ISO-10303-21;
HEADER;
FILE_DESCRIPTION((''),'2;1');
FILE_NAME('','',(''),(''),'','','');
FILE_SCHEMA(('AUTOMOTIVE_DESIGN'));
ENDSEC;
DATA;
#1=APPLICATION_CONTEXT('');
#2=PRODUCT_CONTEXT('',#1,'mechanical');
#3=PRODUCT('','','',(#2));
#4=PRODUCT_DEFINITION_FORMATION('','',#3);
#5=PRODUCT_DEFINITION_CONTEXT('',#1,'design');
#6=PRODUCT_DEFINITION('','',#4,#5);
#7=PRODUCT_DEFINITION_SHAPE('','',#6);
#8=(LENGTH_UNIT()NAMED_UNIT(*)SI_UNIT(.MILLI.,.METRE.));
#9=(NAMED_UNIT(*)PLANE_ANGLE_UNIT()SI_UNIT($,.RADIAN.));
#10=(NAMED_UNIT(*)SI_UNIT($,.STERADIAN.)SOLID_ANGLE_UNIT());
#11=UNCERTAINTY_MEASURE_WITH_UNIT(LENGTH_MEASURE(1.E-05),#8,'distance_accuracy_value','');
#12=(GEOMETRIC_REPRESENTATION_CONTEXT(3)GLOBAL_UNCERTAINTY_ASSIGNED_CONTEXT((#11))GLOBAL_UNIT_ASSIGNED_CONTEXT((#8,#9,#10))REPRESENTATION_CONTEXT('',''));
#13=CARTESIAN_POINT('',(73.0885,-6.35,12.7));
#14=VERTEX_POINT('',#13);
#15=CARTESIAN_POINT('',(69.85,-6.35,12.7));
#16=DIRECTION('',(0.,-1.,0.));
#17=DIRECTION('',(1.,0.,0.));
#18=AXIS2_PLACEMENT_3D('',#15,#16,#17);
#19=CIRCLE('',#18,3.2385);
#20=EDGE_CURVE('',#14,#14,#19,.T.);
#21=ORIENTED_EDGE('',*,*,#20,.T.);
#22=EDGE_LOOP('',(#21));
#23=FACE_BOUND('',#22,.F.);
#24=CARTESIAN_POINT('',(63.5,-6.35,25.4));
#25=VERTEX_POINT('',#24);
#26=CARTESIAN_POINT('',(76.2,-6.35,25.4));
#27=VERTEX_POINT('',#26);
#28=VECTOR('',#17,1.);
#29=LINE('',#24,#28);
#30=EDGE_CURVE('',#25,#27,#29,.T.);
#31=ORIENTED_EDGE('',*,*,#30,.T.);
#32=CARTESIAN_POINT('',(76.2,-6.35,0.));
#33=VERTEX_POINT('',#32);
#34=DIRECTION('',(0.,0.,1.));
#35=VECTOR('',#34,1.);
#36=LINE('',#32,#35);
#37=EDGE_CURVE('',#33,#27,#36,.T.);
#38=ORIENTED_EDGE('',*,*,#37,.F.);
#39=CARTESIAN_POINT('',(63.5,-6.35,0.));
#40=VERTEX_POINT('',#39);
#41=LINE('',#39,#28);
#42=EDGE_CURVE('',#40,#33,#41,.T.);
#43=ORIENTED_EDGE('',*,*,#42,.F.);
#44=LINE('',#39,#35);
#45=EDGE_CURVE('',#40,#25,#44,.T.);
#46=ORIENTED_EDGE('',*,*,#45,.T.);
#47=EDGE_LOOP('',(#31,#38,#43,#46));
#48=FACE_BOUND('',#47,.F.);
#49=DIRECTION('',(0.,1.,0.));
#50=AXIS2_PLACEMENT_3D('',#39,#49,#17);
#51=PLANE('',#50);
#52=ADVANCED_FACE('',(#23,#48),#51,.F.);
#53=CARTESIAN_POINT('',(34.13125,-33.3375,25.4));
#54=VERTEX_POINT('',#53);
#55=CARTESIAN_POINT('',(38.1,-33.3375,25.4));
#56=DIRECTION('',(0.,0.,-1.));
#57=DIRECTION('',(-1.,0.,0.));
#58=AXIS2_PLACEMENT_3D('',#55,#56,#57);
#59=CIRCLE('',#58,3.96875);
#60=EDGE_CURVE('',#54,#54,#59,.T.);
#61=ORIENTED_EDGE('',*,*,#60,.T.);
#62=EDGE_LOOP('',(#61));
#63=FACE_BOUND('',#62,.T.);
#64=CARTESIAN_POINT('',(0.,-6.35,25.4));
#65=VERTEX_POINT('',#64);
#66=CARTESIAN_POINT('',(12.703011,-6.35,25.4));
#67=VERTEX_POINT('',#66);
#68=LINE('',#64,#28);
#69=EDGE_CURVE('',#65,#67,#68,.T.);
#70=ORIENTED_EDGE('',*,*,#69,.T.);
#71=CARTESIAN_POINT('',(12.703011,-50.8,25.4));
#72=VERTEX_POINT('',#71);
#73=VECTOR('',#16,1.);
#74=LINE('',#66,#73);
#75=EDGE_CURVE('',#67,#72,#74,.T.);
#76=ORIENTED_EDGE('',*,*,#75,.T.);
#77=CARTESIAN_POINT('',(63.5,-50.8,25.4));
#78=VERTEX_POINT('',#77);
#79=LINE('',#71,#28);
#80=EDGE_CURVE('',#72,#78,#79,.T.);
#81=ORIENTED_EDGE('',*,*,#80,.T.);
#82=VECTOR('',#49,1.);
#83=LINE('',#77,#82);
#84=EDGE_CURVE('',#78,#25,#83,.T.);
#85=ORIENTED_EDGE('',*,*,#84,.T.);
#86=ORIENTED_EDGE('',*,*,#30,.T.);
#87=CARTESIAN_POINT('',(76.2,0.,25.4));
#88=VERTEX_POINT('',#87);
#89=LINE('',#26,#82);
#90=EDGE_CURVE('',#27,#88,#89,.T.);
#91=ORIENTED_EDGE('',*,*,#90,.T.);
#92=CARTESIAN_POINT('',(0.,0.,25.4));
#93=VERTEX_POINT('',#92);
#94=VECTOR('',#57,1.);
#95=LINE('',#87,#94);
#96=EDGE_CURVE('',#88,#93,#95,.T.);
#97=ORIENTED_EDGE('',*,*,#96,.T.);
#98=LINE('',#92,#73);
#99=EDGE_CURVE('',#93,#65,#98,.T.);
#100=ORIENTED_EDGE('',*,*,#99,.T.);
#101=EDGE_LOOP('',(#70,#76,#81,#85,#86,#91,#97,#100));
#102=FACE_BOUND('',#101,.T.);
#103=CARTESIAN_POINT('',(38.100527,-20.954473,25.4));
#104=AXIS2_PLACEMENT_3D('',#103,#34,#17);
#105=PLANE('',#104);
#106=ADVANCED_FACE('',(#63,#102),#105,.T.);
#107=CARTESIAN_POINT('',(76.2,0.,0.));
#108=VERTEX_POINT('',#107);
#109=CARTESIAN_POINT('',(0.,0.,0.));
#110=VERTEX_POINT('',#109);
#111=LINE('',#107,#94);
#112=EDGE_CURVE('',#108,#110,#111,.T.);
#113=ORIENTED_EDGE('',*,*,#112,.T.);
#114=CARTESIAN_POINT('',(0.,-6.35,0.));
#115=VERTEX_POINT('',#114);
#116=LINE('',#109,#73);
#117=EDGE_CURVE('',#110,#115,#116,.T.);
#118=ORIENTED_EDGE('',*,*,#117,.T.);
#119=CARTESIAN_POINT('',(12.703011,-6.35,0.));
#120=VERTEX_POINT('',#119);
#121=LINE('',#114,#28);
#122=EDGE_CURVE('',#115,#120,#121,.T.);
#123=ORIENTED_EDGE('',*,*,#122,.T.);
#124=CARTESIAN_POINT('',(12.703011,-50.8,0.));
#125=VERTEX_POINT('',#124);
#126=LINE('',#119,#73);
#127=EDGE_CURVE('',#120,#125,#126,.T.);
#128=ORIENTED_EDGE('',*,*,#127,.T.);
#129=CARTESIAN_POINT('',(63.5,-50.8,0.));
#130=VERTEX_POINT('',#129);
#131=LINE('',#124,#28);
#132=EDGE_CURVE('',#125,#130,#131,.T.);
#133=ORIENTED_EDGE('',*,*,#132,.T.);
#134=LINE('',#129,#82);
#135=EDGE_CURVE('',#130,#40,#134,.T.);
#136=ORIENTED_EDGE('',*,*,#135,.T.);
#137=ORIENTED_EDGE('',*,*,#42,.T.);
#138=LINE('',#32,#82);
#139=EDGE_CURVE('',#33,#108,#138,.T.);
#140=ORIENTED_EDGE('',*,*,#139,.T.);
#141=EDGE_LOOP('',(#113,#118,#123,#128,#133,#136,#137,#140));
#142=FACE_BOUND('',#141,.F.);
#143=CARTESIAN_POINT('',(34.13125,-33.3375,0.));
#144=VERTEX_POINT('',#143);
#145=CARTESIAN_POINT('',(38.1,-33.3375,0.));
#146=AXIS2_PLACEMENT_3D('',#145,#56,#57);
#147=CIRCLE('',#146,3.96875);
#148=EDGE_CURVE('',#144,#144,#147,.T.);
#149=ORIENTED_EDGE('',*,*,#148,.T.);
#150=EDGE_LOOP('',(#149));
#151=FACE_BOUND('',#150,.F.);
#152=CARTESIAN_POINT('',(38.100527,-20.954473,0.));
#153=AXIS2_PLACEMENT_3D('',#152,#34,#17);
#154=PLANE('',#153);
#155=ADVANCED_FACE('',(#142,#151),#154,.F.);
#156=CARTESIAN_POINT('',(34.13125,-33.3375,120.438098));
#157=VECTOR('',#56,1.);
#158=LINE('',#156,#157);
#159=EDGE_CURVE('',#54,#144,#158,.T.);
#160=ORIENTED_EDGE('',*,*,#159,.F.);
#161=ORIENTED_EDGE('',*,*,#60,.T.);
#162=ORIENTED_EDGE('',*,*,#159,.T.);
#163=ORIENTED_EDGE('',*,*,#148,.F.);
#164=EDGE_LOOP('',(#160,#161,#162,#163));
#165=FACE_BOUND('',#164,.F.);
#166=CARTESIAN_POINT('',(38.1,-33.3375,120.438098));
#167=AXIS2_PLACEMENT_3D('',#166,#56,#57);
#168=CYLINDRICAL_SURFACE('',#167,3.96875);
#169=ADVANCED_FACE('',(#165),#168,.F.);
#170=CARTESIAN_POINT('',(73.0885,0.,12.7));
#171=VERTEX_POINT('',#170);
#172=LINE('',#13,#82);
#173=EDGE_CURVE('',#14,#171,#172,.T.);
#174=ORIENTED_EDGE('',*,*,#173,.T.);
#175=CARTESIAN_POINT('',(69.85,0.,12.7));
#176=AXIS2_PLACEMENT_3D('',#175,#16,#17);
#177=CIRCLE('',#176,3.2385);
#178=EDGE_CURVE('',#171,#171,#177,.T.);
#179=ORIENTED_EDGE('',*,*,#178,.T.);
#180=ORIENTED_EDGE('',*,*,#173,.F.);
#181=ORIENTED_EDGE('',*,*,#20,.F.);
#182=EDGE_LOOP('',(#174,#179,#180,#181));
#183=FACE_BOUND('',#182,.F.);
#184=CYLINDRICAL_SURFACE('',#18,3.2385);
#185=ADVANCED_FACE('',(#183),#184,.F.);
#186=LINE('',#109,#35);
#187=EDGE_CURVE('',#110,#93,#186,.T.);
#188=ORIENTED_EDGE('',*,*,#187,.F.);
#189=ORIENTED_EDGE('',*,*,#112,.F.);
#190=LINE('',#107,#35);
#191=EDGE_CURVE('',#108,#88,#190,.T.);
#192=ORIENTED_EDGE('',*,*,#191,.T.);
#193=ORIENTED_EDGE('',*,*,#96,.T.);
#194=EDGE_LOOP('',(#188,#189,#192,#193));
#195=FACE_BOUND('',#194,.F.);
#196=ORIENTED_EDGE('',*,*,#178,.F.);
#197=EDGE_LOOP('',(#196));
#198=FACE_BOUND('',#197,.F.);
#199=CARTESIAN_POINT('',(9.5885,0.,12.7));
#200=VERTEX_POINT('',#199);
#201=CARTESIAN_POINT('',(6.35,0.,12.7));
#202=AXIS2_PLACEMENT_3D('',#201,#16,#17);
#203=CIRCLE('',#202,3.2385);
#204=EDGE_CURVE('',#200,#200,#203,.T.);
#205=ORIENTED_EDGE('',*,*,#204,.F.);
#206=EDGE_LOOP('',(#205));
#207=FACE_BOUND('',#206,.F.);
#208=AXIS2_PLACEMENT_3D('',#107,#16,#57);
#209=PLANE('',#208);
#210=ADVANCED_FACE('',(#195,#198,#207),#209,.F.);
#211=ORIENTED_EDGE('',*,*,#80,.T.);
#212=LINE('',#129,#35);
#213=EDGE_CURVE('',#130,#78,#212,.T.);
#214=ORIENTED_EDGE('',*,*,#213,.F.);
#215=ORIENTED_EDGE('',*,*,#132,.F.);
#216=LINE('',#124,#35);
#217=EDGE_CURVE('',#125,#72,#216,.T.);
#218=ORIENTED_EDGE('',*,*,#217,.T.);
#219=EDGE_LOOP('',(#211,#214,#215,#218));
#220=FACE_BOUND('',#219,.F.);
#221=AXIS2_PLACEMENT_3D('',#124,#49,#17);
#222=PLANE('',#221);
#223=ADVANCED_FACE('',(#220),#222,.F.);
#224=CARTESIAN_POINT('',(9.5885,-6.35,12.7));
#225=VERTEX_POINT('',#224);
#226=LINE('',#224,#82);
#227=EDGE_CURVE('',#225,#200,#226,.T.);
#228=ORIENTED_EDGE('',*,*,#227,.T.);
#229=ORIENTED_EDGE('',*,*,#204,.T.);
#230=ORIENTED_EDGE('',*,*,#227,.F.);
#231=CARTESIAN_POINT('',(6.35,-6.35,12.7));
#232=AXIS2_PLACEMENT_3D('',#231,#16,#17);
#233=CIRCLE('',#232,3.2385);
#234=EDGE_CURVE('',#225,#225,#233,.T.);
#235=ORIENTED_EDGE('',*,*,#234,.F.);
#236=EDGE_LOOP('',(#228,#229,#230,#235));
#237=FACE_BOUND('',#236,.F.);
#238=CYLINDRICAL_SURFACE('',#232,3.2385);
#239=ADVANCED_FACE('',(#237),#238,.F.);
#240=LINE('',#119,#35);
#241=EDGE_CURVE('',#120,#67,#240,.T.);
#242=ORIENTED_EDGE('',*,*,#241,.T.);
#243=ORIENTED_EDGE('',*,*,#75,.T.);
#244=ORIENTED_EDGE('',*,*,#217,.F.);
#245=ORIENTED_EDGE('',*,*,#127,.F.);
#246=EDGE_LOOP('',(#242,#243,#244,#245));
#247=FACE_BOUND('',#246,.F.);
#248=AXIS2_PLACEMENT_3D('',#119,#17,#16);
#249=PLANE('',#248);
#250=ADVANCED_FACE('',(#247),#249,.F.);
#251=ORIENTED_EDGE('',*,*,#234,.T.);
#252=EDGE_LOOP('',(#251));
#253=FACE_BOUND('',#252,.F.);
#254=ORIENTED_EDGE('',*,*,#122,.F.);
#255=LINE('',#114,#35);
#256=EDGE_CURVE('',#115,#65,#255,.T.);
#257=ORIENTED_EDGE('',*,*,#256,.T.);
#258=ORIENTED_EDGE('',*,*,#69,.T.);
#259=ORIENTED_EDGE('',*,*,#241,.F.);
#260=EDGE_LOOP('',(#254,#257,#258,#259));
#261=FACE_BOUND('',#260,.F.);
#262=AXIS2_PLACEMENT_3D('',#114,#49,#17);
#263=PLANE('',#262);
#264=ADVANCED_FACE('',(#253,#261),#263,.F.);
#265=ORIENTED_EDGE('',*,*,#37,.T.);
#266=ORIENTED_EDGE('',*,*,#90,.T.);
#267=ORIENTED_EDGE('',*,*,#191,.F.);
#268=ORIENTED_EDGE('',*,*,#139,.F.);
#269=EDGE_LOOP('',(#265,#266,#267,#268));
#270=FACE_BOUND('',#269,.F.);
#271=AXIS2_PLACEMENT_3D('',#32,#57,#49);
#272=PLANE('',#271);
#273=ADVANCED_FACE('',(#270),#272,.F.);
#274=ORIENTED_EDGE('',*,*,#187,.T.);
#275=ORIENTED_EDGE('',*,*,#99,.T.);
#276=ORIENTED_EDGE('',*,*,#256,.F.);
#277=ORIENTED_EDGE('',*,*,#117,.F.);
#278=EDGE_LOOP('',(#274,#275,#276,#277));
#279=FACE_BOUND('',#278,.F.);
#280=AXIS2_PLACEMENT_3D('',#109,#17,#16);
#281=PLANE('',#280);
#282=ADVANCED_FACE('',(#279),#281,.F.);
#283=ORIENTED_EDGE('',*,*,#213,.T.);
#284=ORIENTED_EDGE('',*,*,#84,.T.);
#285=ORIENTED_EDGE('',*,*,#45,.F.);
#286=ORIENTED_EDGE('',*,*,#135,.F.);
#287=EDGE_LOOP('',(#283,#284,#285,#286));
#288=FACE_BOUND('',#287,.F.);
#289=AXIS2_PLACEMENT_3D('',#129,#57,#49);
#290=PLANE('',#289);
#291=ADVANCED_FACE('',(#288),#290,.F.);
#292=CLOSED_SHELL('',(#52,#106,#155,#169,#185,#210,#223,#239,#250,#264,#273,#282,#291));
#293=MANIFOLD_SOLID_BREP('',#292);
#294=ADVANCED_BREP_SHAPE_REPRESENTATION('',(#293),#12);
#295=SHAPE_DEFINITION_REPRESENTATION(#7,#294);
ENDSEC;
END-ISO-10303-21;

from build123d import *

# Parameters (mm, degrees)
F1_DEPTH = 25.4
F4_R     = 3.2385
F5_DEPTH = 25.4
F3_R     = 3.2385
F6_DEPTH = 25.4
F8_D     = 7.9375


with BuildPart() as f1:
    # F0 (on Top) → F1 (new body)
    with BuildSketch(Plane.XY):
        Polygon((76.2, 0), (0, 0), (0, -6.35), (12.7030108124, -6.35), (12.7030108124, -50.8), (63.5, -50.8), (63.5, -6.35), (76.2, -6.35), align=None)
    extrude(amount=F1_DEPTH)

    # F4 (on face) → F5 (cut)
    with BuildSketch(Plane.XZ.offset(6.35)):
        with Locations((6.35, 12.7)):
            Circle(F4_R)
    extrude(amount=-F5_DEPTH, mode=Mode.SUBTRACT)

    # F3 (on face) → F6 (cut)
    with BuildSketch(Plane.XZ.offset(6.35)):
        with Locations((69.85, 12.7)):
            Circle(F3_R)
    extrude(amount=-F6_DEPTH, mode=Mode.SUBTRACT)

    # F8 (through all)
    with Locations(Plane.XY.offset(25.4)):
        with Locations((38.1, -33.3375)):
            Hole(F8_D / 2)


solid = f1.part
